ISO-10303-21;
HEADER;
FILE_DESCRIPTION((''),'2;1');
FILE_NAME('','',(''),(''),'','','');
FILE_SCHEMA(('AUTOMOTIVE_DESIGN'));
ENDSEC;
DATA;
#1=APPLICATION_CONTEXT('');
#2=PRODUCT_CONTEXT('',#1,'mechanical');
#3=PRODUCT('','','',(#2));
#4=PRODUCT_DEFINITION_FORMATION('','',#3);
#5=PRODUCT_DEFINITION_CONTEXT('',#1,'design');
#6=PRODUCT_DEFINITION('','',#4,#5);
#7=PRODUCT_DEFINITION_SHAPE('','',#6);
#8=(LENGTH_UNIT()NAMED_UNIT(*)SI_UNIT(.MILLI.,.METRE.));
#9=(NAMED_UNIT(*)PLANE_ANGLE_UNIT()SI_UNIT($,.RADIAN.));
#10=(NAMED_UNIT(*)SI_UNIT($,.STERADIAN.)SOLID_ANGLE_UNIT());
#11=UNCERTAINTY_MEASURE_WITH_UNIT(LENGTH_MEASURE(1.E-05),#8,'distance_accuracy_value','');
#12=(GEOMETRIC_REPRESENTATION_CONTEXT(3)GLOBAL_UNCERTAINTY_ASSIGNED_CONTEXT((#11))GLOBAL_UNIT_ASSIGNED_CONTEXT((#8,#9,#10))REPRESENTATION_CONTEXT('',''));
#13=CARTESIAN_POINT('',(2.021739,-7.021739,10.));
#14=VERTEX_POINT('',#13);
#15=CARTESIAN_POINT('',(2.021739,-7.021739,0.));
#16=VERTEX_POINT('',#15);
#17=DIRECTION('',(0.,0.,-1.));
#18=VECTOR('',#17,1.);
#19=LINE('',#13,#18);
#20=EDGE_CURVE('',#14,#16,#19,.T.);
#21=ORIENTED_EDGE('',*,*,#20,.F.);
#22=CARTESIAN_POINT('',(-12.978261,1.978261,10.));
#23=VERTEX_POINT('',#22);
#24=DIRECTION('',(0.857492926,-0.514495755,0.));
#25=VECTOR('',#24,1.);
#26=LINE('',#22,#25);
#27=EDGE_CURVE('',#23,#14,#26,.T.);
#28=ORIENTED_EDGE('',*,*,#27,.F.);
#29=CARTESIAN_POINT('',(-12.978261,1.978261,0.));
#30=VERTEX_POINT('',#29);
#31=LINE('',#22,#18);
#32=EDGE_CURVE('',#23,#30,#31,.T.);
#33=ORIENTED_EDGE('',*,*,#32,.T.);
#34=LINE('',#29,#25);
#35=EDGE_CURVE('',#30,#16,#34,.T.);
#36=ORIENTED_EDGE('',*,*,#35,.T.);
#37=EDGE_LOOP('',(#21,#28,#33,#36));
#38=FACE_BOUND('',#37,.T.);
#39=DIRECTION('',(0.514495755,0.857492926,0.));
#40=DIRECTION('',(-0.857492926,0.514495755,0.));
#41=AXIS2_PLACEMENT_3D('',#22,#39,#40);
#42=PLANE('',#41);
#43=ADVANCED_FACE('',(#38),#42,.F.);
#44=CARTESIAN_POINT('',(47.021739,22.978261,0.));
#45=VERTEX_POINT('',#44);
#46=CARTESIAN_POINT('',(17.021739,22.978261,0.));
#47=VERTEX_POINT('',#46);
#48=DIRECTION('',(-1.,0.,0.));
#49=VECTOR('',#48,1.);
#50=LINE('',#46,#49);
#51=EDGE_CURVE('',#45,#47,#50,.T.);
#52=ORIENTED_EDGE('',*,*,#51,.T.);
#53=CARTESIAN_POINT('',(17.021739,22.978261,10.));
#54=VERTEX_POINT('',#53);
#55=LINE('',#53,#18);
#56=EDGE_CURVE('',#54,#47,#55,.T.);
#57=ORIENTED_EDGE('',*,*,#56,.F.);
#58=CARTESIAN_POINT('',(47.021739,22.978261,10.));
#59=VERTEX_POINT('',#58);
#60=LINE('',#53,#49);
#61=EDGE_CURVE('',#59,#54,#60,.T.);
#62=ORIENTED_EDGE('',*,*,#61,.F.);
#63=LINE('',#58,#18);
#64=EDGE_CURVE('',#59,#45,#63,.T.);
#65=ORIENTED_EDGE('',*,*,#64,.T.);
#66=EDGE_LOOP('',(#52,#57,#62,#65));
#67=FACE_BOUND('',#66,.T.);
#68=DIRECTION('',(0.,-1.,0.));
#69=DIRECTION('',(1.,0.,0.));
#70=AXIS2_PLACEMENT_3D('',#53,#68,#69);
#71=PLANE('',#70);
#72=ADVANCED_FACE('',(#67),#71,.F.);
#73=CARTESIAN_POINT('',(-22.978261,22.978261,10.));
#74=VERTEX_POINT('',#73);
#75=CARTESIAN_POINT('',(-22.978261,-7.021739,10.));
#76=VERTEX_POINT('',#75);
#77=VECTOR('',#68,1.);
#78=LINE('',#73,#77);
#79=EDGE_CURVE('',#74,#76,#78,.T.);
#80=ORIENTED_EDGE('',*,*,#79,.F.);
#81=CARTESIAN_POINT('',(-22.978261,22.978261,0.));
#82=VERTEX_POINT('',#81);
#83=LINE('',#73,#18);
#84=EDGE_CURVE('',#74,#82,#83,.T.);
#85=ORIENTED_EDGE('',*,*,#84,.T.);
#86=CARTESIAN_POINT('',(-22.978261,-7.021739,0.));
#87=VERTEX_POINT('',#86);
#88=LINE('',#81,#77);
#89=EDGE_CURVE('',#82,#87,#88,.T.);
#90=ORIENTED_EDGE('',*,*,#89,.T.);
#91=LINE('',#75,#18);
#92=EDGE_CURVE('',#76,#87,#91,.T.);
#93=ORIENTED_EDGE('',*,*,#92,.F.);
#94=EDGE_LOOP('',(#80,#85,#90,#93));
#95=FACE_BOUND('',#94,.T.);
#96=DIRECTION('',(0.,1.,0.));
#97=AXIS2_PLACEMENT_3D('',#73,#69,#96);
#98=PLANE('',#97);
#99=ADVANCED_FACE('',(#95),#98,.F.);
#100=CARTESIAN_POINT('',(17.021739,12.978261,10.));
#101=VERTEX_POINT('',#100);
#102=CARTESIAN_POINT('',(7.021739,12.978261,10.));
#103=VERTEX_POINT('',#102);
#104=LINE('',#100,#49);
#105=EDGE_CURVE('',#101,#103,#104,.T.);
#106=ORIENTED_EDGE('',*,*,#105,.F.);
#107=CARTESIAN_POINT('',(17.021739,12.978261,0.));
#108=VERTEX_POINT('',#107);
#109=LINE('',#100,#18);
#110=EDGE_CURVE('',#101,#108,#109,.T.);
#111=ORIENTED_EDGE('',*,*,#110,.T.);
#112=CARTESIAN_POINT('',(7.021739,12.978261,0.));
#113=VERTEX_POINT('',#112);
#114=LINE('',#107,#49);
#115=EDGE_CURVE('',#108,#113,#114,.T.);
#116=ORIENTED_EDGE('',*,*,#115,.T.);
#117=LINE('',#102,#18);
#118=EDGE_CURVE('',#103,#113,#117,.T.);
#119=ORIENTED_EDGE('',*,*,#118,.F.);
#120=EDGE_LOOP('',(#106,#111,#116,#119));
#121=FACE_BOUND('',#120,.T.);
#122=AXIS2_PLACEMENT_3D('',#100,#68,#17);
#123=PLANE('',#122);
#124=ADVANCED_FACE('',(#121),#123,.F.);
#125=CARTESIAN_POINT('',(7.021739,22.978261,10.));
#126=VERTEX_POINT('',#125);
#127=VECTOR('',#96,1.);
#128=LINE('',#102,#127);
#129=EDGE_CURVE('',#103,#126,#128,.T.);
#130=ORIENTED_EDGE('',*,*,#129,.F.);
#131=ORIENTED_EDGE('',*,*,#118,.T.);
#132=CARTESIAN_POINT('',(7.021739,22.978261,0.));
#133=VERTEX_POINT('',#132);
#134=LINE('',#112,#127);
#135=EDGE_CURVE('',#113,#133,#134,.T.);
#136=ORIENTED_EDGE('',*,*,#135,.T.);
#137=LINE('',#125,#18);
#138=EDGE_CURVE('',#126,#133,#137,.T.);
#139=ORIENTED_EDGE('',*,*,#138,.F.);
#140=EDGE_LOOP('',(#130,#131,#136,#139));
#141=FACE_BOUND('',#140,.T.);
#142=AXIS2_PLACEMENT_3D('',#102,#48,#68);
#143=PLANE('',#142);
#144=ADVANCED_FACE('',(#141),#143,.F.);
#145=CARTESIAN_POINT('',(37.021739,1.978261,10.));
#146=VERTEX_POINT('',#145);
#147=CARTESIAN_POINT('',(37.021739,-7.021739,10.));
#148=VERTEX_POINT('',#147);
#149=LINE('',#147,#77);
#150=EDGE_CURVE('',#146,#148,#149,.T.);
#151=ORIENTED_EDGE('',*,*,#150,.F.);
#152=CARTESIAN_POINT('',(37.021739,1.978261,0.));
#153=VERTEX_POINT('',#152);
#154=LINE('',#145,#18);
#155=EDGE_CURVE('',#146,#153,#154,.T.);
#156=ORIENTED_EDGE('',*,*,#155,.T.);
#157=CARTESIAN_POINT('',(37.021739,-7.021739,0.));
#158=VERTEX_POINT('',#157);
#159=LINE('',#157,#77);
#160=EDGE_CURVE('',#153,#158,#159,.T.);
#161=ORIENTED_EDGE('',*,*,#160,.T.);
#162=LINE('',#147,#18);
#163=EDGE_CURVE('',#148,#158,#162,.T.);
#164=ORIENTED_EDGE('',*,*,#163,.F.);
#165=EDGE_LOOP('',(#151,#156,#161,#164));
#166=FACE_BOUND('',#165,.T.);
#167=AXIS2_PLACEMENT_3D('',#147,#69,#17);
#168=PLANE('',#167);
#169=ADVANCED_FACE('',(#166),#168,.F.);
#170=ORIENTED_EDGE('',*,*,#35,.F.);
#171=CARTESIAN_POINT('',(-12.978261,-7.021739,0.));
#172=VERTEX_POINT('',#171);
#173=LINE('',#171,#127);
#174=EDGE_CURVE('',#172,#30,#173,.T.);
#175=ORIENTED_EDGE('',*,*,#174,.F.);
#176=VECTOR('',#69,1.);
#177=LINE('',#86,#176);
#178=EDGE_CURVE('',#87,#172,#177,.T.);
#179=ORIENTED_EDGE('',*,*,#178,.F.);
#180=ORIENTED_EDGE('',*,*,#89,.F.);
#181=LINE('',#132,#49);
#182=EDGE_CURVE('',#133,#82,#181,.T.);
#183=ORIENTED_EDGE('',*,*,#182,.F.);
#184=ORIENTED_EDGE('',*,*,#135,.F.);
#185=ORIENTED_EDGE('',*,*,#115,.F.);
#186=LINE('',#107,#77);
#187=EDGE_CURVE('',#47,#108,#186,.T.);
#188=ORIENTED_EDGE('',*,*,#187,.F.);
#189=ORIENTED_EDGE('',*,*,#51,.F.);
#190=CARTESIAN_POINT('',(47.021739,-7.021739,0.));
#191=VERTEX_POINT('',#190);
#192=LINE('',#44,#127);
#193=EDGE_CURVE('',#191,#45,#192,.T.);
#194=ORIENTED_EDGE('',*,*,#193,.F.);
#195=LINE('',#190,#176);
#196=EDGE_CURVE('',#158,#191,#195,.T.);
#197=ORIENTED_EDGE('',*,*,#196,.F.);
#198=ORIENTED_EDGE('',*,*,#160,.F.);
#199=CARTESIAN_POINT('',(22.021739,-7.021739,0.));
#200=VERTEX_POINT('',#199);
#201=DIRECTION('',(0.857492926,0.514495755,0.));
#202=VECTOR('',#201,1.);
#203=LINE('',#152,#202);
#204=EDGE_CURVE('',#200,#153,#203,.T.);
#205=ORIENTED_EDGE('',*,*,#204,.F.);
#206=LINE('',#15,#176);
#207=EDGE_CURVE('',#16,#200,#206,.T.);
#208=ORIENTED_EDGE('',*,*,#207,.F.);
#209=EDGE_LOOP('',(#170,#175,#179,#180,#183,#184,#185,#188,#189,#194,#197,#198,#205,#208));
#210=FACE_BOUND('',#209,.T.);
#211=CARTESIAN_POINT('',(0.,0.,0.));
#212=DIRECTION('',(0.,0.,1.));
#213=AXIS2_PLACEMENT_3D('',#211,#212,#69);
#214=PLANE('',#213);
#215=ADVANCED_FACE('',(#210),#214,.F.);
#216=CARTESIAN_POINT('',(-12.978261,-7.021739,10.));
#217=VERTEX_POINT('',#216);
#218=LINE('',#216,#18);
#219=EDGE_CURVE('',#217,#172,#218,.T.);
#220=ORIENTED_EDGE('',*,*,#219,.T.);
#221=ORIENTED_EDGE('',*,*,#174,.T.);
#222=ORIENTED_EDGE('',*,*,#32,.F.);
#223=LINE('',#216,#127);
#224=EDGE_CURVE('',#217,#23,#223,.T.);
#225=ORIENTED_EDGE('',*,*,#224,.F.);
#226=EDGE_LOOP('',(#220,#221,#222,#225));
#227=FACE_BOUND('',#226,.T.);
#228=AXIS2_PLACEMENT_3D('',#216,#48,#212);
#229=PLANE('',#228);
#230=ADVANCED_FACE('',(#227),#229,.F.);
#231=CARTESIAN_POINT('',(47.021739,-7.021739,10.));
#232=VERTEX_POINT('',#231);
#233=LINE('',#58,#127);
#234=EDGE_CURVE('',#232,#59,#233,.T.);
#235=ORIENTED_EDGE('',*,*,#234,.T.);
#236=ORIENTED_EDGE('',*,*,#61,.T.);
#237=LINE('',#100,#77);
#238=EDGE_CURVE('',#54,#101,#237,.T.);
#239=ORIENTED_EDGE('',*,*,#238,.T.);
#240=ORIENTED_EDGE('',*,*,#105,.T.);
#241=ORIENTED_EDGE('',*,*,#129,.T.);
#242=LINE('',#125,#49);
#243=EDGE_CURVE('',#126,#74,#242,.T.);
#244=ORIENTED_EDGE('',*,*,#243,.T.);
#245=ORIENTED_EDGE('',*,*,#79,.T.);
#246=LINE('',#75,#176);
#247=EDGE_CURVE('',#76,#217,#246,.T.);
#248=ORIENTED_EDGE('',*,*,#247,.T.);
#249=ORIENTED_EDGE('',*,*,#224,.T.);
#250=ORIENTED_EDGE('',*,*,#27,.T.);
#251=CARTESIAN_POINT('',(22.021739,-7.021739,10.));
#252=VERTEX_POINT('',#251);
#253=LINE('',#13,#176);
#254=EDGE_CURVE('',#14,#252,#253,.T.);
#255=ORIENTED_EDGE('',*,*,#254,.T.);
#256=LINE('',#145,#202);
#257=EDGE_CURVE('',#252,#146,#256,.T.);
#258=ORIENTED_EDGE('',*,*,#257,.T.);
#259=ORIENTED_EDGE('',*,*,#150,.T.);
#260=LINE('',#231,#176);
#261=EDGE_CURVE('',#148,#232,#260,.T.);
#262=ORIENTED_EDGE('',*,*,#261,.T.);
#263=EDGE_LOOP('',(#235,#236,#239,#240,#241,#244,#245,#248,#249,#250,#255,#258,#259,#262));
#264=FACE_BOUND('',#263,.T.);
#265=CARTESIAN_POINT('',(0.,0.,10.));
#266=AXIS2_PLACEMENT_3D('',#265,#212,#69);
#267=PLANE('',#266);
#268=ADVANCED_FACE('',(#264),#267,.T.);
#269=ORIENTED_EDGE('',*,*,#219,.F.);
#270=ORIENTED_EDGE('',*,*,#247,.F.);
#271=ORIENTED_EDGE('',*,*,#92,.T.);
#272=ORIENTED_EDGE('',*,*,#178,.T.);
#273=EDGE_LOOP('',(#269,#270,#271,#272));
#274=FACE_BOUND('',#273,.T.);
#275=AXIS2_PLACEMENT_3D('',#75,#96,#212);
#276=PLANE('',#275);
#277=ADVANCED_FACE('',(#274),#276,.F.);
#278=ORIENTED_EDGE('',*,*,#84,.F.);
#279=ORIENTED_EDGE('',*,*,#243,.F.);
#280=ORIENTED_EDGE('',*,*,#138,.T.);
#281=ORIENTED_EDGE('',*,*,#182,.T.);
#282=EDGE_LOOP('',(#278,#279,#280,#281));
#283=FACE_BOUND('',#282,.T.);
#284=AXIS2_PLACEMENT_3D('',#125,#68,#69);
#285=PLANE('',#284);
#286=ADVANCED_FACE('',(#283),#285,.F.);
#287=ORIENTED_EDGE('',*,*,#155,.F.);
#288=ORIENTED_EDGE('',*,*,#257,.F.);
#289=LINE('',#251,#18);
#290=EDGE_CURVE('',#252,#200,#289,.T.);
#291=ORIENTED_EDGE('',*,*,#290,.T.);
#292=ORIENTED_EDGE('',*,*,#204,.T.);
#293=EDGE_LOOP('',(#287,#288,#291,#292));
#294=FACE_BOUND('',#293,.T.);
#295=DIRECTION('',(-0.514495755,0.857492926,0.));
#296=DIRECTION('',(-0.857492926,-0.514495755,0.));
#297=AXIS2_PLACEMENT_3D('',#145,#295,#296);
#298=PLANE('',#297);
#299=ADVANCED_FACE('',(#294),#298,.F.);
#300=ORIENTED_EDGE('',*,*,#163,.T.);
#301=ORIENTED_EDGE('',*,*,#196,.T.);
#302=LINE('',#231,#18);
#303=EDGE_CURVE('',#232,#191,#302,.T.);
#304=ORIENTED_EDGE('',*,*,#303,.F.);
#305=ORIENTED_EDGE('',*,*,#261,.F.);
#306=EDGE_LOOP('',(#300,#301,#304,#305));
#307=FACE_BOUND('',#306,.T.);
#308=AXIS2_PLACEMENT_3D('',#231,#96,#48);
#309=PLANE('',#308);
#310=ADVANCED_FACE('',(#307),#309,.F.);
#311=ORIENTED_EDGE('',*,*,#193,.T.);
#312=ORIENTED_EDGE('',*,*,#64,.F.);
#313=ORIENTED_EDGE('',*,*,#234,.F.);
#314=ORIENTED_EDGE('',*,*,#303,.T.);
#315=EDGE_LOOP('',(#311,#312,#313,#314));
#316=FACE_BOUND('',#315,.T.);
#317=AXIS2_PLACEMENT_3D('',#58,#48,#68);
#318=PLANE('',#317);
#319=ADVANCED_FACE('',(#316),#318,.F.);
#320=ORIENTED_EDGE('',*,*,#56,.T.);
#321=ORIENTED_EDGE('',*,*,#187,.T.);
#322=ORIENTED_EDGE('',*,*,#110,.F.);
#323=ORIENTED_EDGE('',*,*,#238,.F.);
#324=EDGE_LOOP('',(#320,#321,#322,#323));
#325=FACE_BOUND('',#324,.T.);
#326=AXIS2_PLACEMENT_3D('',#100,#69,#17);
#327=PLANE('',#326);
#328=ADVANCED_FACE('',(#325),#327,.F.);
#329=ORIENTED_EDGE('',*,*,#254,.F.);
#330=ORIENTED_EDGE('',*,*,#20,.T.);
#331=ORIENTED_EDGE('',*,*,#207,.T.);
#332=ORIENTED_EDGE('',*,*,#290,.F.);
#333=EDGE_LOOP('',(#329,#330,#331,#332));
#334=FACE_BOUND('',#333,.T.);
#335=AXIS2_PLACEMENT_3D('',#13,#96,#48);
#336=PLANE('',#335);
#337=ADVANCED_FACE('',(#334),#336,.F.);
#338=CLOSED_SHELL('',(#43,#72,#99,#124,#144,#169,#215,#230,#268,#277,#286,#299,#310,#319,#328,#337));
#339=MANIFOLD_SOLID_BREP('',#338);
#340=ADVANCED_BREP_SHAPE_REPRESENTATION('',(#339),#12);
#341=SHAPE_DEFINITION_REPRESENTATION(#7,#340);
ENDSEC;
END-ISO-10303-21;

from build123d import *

# Parameters (mm, degrees)
BOSS_EXTRUDE1_DEPTH = 10


with BuildPart() as part:
    # Sketch2 → Boss-Extrude1 (new body)
    with BuildSketch(Plane.XY):
        Polygon((-22.97826087, 22.97826087), (-22.97826087, -7.02173913), (-12.97826087, -7.02173913), (-12.97826087, 1.97826087), (2.02173913, -7.02173913), (22.02173913, -7.02173913), (37.02173913, 1.97826087), (37.02173913, -7.02173913), (47.02173913, -7.02173913), (47.02173913, 22.97826087), (17.02173913, 22.97826087), (17.02173913, 12.97826087), (7.02173913, 12.97826087), (7.02173913, 22.97826087), align=None)
    extrude(amount=BOSS_EXTRUDE1_DEPTH)


solid = part.part
